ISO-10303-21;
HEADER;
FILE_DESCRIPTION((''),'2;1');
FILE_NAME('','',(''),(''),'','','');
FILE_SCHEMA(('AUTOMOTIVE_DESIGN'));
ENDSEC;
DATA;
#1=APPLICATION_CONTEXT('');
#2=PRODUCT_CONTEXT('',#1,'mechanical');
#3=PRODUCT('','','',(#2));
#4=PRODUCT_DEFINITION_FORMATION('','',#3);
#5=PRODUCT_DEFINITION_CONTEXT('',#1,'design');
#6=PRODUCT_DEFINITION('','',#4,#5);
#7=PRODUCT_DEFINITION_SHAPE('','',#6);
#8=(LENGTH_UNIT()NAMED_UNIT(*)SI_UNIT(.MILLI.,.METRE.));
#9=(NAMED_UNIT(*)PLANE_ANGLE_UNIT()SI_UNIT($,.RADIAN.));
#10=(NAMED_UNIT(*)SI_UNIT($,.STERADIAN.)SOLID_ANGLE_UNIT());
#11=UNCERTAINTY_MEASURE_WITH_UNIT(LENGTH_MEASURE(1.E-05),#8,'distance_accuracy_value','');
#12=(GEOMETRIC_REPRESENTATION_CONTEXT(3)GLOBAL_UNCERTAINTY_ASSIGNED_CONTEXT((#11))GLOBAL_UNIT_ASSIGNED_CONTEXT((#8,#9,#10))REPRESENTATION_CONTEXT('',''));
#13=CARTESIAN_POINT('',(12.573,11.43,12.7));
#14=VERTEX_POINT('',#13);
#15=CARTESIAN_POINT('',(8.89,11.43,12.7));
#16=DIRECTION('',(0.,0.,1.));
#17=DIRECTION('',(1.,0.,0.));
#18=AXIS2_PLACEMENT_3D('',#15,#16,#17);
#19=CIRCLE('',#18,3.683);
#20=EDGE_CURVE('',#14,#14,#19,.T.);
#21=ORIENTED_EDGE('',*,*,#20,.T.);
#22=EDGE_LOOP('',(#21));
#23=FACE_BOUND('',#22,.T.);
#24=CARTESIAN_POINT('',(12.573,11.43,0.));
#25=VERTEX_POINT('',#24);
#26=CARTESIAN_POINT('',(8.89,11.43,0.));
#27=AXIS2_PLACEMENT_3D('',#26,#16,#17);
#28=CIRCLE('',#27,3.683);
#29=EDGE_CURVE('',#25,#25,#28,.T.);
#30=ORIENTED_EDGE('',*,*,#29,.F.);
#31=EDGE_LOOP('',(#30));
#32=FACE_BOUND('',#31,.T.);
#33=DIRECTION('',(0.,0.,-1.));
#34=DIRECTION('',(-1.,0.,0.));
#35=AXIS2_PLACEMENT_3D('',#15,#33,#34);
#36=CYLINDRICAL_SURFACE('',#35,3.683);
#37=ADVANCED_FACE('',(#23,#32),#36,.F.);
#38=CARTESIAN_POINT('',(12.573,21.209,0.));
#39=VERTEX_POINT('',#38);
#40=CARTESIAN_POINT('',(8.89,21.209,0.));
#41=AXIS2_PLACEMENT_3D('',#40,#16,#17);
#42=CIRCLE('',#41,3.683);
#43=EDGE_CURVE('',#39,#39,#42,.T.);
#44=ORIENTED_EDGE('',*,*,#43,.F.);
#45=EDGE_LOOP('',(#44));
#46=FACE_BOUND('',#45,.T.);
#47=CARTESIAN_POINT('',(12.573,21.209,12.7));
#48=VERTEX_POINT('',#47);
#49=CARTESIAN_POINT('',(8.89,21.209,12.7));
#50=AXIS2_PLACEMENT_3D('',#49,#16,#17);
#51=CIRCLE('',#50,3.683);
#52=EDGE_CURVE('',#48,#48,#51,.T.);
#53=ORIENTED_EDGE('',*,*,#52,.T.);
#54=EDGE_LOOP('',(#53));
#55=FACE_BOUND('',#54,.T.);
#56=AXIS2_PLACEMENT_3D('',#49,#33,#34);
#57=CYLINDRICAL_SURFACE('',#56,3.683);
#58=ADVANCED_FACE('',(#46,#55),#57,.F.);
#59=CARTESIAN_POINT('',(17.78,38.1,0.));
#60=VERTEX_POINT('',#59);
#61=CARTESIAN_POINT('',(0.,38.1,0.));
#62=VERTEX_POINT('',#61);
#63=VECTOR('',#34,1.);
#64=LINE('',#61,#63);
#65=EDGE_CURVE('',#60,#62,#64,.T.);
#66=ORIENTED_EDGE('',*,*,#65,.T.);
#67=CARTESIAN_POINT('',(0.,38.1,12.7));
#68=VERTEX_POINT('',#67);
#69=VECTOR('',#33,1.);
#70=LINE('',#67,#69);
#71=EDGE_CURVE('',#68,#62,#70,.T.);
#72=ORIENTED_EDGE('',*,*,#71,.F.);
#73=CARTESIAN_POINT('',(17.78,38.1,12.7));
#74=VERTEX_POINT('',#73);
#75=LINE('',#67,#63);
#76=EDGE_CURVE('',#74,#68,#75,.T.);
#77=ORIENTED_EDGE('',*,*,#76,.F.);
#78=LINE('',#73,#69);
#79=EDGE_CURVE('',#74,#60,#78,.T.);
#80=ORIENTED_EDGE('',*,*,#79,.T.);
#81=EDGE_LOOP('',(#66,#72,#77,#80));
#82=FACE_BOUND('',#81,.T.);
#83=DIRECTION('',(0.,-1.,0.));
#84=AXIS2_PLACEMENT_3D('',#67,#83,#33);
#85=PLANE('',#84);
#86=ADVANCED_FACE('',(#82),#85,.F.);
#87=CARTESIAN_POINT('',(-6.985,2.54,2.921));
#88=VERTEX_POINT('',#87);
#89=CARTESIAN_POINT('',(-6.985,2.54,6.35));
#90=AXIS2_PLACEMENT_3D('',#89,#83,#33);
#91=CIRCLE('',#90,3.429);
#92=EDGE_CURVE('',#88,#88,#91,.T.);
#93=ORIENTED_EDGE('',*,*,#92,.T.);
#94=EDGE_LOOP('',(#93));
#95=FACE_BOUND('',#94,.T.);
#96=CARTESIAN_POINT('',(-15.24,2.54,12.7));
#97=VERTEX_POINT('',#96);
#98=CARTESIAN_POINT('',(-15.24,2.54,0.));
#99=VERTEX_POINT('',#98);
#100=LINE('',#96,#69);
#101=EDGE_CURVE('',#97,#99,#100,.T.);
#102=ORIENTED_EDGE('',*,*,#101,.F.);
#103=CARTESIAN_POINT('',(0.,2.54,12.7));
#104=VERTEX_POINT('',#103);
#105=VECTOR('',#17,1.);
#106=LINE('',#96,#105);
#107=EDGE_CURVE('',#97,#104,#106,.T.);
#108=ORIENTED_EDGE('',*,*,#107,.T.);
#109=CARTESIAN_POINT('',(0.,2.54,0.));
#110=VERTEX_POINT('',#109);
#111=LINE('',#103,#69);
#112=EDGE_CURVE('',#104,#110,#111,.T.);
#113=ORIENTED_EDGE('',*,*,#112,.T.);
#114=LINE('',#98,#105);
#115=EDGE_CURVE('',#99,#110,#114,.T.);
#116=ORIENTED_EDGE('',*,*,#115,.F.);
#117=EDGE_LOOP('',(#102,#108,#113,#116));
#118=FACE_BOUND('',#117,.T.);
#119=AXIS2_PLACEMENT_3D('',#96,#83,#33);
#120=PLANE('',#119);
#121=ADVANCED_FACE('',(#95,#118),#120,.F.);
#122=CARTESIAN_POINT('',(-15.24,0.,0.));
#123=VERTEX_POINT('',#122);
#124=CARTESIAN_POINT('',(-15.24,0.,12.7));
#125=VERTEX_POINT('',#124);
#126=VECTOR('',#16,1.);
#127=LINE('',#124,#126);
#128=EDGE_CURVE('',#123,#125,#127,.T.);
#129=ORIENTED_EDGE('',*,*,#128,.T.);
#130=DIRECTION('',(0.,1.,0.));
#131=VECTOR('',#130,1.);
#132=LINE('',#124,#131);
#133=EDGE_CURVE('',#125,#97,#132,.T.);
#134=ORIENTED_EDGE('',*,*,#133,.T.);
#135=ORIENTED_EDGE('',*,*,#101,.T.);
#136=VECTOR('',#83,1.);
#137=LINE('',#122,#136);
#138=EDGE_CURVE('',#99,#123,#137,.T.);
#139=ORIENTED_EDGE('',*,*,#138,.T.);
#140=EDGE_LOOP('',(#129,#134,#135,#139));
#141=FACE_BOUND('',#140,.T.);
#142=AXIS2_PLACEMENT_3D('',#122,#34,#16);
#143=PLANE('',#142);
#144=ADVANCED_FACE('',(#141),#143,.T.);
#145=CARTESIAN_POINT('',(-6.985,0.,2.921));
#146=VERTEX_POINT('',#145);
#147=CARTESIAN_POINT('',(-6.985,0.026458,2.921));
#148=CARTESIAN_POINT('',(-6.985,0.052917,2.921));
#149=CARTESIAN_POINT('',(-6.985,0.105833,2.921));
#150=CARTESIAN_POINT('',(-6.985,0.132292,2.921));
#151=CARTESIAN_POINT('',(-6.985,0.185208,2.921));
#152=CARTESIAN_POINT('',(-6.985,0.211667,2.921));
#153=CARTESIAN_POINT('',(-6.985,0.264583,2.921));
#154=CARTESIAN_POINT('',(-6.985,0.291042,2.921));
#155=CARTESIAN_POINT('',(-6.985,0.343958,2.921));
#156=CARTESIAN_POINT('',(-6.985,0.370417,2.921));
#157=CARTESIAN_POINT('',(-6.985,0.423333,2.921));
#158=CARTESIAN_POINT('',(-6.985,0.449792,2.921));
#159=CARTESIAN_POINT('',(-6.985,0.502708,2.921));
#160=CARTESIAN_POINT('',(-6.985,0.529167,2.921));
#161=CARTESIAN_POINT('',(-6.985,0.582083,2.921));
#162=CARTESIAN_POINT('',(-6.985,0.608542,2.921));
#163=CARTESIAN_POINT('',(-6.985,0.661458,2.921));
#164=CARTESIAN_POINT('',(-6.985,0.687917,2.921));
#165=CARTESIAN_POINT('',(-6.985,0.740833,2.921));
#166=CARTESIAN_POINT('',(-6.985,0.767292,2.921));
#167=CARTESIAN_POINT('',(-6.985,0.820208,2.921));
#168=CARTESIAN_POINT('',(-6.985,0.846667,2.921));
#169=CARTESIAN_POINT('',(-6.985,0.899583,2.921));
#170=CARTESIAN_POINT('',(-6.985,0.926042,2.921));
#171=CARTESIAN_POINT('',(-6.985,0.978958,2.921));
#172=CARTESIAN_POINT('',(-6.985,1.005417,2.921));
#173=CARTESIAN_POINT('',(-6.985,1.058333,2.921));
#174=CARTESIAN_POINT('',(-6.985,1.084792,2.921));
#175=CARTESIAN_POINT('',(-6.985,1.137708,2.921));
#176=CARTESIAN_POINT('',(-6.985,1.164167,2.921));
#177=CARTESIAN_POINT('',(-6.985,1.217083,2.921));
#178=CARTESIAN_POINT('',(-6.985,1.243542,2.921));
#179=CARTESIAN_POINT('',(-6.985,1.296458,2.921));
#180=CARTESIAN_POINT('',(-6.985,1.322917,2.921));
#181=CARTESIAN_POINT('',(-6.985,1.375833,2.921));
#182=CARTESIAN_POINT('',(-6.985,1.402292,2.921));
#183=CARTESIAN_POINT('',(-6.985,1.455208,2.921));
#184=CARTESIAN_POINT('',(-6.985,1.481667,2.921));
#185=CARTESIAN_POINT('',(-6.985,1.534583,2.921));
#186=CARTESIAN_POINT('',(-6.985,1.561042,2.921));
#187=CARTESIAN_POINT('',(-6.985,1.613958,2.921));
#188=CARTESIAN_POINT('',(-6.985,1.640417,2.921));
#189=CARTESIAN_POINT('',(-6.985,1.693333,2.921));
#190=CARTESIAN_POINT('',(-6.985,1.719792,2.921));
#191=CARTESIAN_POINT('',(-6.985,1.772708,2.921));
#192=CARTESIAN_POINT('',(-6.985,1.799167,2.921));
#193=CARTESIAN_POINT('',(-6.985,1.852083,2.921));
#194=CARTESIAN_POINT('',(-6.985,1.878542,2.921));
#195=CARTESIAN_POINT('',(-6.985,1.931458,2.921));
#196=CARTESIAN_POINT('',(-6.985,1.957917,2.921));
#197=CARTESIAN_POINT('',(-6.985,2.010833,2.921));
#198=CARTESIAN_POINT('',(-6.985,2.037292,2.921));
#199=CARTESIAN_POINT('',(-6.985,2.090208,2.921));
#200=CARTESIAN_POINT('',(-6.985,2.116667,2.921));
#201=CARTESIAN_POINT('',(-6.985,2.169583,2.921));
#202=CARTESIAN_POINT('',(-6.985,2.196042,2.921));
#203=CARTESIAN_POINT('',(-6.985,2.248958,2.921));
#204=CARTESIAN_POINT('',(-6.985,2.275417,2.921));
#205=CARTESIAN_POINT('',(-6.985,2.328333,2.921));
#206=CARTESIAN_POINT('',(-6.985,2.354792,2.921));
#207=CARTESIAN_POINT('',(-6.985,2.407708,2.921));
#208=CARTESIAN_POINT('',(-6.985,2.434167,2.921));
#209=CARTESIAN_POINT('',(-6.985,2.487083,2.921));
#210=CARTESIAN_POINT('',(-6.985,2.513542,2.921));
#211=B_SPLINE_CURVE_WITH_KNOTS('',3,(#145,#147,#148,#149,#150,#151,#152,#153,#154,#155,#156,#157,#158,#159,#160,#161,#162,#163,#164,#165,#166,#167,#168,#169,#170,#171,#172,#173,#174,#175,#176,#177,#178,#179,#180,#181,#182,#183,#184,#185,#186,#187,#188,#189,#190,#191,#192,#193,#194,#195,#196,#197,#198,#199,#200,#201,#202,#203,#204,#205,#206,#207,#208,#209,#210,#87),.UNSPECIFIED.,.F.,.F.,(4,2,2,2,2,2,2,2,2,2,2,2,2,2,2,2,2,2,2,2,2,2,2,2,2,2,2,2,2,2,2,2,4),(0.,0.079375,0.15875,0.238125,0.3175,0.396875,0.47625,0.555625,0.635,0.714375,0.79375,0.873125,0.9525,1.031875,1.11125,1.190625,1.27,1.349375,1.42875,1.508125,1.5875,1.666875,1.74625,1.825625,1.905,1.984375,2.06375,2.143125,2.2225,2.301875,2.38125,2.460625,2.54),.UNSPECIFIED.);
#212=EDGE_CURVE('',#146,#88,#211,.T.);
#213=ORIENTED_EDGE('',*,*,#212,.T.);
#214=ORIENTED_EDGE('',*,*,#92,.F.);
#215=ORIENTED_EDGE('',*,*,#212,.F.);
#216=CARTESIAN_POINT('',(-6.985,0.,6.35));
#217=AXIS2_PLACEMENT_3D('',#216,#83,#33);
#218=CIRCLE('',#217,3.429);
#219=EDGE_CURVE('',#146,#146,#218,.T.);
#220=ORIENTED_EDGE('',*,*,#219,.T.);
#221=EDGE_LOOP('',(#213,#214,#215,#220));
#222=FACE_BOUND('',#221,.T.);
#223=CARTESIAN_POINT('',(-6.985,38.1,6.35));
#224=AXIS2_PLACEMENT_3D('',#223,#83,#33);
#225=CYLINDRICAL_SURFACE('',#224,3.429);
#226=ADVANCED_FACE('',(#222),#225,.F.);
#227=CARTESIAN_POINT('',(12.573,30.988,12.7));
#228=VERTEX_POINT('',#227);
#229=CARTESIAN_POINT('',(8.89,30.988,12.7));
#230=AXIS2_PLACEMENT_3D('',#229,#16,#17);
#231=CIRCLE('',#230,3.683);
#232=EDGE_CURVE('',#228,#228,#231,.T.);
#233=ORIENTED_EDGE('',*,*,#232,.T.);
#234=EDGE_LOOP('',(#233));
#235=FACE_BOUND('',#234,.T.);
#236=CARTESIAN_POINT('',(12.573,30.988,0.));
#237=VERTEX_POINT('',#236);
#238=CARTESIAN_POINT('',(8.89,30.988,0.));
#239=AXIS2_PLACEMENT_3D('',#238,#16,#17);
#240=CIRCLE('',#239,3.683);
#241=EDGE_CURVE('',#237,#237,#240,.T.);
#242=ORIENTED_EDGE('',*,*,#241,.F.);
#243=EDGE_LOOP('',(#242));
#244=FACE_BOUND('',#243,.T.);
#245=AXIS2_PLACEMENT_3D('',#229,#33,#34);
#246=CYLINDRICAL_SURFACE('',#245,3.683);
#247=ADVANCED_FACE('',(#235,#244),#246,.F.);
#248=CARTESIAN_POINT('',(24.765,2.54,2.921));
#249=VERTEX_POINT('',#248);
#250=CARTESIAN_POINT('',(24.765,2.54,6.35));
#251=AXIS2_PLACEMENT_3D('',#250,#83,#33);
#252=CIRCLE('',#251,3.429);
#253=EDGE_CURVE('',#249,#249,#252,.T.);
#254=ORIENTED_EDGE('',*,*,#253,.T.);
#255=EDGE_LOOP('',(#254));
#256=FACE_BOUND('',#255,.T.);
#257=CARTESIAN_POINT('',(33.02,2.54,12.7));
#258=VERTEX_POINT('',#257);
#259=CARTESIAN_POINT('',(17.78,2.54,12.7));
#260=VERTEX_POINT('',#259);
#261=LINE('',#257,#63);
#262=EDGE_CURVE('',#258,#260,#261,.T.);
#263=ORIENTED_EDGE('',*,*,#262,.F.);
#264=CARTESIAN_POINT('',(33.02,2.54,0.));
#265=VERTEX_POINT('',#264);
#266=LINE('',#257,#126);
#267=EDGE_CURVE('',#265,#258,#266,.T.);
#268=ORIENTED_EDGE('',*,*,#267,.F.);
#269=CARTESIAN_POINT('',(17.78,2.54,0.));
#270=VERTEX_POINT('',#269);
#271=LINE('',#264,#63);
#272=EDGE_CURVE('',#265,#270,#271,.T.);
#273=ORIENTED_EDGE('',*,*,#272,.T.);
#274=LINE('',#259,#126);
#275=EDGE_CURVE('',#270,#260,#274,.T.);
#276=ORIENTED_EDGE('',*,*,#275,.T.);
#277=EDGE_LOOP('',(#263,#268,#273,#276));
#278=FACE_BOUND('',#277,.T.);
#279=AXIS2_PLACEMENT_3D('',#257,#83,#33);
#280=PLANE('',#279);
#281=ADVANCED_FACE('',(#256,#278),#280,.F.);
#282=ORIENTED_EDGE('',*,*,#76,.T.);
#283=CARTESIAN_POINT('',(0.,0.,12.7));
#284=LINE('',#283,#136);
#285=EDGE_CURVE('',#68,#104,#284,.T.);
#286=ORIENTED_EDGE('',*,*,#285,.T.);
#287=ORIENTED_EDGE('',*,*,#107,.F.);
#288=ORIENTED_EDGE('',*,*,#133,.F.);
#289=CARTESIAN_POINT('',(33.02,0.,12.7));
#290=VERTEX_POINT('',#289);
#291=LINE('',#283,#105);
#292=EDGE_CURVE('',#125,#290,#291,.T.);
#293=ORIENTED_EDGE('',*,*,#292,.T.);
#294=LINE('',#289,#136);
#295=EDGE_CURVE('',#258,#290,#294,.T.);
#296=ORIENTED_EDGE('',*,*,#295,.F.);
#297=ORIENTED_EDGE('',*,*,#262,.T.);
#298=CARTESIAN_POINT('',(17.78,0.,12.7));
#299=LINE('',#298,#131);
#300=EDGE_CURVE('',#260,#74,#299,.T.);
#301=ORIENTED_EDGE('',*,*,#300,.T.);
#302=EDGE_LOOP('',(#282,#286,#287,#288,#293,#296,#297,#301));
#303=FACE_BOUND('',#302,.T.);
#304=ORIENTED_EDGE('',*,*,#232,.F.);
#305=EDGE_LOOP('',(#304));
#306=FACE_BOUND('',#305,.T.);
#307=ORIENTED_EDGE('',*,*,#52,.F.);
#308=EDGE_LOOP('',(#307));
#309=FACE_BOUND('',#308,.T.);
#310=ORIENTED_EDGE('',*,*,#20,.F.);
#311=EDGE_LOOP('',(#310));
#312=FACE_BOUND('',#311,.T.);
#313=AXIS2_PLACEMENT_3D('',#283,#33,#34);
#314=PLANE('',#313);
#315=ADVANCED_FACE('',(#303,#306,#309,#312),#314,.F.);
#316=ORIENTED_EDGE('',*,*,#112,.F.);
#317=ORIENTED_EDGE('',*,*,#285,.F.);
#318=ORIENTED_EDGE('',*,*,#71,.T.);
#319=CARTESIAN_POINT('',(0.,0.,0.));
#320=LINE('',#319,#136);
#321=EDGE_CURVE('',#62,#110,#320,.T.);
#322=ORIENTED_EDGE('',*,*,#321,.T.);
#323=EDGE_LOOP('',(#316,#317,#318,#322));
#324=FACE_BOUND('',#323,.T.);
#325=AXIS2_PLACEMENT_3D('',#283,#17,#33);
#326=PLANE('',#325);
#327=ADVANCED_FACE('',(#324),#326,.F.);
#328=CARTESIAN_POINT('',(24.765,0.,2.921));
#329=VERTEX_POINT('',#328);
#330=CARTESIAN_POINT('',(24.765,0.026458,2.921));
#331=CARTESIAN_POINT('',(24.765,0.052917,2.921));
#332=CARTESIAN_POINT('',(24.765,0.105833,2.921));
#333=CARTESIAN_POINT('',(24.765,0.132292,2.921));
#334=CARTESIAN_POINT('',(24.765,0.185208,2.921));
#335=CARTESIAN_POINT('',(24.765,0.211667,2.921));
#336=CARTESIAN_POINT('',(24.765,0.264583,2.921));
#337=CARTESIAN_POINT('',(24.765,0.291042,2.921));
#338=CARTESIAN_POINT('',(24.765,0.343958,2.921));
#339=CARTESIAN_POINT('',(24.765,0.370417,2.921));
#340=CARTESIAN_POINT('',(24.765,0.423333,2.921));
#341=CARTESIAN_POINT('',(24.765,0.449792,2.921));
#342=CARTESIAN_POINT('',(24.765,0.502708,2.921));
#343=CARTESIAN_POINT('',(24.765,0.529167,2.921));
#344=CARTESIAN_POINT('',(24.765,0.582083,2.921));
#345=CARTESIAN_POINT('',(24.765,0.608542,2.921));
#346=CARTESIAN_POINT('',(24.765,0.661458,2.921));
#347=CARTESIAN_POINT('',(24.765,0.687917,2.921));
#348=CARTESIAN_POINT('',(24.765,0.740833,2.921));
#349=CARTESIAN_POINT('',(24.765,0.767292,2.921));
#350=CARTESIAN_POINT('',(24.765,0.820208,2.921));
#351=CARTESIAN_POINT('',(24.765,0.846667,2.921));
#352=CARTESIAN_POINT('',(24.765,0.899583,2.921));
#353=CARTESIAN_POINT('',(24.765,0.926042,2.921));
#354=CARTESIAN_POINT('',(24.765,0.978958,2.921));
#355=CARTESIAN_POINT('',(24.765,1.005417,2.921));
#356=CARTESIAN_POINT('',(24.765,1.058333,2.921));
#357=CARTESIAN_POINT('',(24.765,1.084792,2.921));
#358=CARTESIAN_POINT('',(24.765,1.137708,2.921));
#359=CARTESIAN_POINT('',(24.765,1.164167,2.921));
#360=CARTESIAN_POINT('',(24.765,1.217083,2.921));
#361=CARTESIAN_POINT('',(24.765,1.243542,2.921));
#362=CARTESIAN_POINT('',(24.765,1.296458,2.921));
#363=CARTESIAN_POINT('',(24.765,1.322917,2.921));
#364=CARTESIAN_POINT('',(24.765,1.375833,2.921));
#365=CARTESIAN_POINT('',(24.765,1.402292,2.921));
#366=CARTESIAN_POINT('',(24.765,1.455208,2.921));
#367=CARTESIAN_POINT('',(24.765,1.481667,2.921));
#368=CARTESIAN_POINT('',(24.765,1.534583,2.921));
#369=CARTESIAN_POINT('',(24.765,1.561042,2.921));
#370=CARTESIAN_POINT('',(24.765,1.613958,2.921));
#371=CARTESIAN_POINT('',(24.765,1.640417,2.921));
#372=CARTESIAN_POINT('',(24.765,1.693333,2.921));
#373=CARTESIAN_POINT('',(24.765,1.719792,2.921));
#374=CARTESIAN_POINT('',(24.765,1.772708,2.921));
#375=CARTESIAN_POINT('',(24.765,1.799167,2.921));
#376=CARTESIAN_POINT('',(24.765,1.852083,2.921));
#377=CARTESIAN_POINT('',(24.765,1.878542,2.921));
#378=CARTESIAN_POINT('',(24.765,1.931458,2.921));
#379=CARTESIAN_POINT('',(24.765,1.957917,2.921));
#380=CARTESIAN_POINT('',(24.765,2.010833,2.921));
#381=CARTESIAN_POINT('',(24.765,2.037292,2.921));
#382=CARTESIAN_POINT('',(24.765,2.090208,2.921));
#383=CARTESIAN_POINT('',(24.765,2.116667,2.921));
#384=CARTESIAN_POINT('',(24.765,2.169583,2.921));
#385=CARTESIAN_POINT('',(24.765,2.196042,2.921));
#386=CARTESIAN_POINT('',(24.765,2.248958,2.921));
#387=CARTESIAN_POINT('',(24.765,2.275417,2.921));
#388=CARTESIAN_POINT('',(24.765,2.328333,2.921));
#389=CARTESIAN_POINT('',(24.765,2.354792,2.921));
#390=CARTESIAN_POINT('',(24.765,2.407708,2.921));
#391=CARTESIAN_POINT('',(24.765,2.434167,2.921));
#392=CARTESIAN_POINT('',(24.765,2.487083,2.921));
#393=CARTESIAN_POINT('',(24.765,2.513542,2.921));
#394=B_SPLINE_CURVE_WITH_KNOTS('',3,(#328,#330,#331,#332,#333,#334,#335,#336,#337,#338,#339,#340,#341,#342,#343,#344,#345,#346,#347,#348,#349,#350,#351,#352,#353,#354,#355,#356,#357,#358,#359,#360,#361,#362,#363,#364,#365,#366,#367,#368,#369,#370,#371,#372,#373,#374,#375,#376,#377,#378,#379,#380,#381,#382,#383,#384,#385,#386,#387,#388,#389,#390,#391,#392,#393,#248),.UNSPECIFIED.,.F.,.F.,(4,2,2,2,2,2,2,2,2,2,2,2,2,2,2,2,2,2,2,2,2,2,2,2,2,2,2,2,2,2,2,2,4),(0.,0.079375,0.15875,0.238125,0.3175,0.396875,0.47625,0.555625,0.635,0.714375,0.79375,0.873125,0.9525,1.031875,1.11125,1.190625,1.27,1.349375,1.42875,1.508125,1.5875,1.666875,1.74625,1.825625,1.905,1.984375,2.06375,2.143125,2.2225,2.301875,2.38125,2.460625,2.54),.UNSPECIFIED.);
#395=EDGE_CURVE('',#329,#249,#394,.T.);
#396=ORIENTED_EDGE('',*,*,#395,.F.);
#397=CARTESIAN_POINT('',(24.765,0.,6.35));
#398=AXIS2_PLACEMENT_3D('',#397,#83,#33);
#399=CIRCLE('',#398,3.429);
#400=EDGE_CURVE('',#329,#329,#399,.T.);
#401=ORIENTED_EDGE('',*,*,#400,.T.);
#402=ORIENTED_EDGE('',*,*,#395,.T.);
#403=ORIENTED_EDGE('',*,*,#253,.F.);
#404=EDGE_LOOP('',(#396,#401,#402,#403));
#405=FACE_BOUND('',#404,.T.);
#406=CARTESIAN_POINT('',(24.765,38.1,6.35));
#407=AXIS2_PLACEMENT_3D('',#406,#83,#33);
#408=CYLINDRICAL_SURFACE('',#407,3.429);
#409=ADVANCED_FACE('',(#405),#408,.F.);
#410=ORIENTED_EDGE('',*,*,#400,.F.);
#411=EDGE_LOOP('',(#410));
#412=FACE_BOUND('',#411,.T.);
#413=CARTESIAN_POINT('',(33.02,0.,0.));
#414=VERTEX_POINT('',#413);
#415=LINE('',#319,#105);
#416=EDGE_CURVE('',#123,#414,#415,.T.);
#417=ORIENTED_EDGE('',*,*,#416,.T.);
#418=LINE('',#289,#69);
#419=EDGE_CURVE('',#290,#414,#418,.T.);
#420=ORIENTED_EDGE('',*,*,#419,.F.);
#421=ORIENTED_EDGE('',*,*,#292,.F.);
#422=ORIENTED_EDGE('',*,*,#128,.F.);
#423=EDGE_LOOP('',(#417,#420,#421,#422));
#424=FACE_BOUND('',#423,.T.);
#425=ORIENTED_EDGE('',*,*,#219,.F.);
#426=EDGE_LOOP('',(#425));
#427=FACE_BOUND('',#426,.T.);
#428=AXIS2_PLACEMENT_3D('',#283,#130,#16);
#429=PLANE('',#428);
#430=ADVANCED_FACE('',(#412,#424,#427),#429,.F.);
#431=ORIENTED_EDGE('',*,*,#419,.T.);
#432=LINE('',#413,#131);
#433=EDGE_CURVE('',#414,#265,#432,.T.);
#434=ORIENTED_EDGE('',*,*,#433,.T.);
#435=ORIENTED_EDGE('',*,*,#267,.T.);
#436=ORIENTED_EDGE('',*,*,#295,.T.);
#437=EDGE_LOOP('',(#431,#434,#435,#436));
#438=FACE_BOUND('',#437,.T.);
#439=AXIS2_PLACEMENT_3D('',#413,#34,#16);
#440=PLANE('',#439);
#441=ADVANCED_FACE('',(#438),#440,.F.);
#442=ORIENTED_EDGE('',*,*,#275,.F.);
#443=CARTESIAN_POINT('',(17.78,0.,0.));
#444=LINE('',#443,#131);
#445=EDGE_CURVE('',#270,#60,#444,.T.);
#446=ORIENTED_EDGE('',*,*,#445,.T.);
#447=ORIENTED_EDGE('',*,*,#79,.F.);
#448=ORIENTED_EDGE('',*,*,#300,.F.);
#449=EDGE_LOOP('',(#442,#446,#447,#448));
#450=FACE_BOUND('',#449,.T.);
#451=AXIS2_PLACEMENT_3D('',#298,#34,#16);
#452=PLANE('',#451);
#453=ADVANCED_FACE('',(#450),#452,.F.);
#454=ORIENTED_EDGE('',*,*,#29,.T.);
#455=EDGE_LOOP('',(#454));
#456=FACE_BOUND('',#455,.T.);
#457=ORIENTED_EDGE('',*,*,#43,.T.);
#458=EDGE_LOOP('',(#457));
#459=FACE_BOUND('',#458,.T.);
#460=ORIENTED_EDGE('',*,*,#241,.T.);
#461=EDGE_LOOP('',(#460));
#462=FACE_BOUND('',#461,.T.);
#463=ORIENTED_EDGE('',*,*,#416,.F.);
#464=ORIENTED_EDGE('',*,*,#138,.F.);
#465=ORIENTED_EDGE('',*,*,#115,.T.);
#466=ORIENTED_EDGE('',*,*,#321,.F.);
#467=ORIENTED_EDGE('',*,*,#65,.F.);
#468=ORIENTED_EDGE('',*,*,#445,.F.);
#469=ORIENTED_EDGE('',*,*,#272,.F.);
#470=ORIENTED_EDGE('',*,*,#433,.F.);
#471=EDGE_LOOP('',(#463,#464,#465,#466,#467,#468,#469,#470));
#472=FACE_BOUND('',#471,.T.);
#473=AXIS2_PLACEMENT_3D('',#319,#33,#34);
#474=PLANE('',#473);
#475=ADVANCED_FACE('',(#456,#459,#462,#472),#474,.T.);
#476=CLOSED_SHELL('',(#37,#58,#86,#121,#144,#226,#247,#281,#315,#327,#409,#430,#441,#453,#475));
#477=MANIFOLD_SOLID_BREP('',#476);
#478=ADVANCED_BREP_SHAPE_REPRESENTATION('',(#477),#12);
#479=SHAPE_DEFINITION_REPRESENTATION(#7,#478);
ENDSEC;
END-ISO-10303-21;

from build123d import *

# Parameters (mm, degrees)
SKETCH1_W           = 17.78
SKETCH1_H           = 38.1
SKETCH1_R           = 3.683
BOSS_EXTRUDE1_DEPTH = 12.7
SKETCH2_W           = 12.7
SKETCH2_H           = 2.54
BOSS_EXTRUDE2_DEPTH = 15.24
SKETCH3_W           = 12.7
SKETCH3_H           = 2.54
BOSS_EXTRUDE3_DEPTH = 15.24
SKETCH4_R           = 3.429
CUT_EXTRUDE1_DEPTH  = 52.992503306


with BuildPart() as part:
    # Sketch1 → Boss-Extrude1 (new body)
    with BuildSketch(Plane.XY):
        with Locations((8.89, 19.05)):
            Rectangle(SKETCH1_W, SKETCH1_H)
        with Locations((8.89, 30.988)):
            Circle(SKETCH1_R, mode=Mode.SUBTRACT)
        with Locations((8.89, 21.209)):
            Circle(SKETCH1_R, mode=Mode.SUBTRACT)
        with Locations((8.89, 11.43)):
            Circle(SKETCH1_R, mode=Mode.SUBTRACT)
    extrude(amount=BOSS_EXTRUDE1_DEPTH)

    # Sketch2 → Boss-Extrude2 (add)
    with BuildSketch(Plane(origin=(17.78, 0, 0), x_dir=(0, 0, -1), z_dir=(1, 0, 0))):
        with Locations((-6.35, 1.27)):
            Rectangle(SKETCH2_W, SKETCH2_H)
    extrude(amount=BOSS_EXTRUDE2_DEPTH)

    # Sketch3 → Boss-Extrude3 (add)
    with BuildSketch(Plane.ZY):
        with Locations((6.35, 1.27)):
            Rectangle(SKETCH3_W, SKETCH3_H)
    extrude(amount=BOSS_EXTRUDE3_DEPTH)

    # Sketch4 → Cut-Extrude1 (cut, through all)
    with BuildSketch(Plane.XZ):
        with Locations(Location((-6.985, 6.35, 0), (0, 0, 270))):
            Circle(SKETCH4_R)
        with Locations(Location((24.765, 6.35, 0), (0, 0, 270))):
            Circle(SKETCH4_R)
    extrude(amount=-CUT_EXTRUDE1_DEPTH, mode=Mode.SUBTRACT)


solid = part.part
